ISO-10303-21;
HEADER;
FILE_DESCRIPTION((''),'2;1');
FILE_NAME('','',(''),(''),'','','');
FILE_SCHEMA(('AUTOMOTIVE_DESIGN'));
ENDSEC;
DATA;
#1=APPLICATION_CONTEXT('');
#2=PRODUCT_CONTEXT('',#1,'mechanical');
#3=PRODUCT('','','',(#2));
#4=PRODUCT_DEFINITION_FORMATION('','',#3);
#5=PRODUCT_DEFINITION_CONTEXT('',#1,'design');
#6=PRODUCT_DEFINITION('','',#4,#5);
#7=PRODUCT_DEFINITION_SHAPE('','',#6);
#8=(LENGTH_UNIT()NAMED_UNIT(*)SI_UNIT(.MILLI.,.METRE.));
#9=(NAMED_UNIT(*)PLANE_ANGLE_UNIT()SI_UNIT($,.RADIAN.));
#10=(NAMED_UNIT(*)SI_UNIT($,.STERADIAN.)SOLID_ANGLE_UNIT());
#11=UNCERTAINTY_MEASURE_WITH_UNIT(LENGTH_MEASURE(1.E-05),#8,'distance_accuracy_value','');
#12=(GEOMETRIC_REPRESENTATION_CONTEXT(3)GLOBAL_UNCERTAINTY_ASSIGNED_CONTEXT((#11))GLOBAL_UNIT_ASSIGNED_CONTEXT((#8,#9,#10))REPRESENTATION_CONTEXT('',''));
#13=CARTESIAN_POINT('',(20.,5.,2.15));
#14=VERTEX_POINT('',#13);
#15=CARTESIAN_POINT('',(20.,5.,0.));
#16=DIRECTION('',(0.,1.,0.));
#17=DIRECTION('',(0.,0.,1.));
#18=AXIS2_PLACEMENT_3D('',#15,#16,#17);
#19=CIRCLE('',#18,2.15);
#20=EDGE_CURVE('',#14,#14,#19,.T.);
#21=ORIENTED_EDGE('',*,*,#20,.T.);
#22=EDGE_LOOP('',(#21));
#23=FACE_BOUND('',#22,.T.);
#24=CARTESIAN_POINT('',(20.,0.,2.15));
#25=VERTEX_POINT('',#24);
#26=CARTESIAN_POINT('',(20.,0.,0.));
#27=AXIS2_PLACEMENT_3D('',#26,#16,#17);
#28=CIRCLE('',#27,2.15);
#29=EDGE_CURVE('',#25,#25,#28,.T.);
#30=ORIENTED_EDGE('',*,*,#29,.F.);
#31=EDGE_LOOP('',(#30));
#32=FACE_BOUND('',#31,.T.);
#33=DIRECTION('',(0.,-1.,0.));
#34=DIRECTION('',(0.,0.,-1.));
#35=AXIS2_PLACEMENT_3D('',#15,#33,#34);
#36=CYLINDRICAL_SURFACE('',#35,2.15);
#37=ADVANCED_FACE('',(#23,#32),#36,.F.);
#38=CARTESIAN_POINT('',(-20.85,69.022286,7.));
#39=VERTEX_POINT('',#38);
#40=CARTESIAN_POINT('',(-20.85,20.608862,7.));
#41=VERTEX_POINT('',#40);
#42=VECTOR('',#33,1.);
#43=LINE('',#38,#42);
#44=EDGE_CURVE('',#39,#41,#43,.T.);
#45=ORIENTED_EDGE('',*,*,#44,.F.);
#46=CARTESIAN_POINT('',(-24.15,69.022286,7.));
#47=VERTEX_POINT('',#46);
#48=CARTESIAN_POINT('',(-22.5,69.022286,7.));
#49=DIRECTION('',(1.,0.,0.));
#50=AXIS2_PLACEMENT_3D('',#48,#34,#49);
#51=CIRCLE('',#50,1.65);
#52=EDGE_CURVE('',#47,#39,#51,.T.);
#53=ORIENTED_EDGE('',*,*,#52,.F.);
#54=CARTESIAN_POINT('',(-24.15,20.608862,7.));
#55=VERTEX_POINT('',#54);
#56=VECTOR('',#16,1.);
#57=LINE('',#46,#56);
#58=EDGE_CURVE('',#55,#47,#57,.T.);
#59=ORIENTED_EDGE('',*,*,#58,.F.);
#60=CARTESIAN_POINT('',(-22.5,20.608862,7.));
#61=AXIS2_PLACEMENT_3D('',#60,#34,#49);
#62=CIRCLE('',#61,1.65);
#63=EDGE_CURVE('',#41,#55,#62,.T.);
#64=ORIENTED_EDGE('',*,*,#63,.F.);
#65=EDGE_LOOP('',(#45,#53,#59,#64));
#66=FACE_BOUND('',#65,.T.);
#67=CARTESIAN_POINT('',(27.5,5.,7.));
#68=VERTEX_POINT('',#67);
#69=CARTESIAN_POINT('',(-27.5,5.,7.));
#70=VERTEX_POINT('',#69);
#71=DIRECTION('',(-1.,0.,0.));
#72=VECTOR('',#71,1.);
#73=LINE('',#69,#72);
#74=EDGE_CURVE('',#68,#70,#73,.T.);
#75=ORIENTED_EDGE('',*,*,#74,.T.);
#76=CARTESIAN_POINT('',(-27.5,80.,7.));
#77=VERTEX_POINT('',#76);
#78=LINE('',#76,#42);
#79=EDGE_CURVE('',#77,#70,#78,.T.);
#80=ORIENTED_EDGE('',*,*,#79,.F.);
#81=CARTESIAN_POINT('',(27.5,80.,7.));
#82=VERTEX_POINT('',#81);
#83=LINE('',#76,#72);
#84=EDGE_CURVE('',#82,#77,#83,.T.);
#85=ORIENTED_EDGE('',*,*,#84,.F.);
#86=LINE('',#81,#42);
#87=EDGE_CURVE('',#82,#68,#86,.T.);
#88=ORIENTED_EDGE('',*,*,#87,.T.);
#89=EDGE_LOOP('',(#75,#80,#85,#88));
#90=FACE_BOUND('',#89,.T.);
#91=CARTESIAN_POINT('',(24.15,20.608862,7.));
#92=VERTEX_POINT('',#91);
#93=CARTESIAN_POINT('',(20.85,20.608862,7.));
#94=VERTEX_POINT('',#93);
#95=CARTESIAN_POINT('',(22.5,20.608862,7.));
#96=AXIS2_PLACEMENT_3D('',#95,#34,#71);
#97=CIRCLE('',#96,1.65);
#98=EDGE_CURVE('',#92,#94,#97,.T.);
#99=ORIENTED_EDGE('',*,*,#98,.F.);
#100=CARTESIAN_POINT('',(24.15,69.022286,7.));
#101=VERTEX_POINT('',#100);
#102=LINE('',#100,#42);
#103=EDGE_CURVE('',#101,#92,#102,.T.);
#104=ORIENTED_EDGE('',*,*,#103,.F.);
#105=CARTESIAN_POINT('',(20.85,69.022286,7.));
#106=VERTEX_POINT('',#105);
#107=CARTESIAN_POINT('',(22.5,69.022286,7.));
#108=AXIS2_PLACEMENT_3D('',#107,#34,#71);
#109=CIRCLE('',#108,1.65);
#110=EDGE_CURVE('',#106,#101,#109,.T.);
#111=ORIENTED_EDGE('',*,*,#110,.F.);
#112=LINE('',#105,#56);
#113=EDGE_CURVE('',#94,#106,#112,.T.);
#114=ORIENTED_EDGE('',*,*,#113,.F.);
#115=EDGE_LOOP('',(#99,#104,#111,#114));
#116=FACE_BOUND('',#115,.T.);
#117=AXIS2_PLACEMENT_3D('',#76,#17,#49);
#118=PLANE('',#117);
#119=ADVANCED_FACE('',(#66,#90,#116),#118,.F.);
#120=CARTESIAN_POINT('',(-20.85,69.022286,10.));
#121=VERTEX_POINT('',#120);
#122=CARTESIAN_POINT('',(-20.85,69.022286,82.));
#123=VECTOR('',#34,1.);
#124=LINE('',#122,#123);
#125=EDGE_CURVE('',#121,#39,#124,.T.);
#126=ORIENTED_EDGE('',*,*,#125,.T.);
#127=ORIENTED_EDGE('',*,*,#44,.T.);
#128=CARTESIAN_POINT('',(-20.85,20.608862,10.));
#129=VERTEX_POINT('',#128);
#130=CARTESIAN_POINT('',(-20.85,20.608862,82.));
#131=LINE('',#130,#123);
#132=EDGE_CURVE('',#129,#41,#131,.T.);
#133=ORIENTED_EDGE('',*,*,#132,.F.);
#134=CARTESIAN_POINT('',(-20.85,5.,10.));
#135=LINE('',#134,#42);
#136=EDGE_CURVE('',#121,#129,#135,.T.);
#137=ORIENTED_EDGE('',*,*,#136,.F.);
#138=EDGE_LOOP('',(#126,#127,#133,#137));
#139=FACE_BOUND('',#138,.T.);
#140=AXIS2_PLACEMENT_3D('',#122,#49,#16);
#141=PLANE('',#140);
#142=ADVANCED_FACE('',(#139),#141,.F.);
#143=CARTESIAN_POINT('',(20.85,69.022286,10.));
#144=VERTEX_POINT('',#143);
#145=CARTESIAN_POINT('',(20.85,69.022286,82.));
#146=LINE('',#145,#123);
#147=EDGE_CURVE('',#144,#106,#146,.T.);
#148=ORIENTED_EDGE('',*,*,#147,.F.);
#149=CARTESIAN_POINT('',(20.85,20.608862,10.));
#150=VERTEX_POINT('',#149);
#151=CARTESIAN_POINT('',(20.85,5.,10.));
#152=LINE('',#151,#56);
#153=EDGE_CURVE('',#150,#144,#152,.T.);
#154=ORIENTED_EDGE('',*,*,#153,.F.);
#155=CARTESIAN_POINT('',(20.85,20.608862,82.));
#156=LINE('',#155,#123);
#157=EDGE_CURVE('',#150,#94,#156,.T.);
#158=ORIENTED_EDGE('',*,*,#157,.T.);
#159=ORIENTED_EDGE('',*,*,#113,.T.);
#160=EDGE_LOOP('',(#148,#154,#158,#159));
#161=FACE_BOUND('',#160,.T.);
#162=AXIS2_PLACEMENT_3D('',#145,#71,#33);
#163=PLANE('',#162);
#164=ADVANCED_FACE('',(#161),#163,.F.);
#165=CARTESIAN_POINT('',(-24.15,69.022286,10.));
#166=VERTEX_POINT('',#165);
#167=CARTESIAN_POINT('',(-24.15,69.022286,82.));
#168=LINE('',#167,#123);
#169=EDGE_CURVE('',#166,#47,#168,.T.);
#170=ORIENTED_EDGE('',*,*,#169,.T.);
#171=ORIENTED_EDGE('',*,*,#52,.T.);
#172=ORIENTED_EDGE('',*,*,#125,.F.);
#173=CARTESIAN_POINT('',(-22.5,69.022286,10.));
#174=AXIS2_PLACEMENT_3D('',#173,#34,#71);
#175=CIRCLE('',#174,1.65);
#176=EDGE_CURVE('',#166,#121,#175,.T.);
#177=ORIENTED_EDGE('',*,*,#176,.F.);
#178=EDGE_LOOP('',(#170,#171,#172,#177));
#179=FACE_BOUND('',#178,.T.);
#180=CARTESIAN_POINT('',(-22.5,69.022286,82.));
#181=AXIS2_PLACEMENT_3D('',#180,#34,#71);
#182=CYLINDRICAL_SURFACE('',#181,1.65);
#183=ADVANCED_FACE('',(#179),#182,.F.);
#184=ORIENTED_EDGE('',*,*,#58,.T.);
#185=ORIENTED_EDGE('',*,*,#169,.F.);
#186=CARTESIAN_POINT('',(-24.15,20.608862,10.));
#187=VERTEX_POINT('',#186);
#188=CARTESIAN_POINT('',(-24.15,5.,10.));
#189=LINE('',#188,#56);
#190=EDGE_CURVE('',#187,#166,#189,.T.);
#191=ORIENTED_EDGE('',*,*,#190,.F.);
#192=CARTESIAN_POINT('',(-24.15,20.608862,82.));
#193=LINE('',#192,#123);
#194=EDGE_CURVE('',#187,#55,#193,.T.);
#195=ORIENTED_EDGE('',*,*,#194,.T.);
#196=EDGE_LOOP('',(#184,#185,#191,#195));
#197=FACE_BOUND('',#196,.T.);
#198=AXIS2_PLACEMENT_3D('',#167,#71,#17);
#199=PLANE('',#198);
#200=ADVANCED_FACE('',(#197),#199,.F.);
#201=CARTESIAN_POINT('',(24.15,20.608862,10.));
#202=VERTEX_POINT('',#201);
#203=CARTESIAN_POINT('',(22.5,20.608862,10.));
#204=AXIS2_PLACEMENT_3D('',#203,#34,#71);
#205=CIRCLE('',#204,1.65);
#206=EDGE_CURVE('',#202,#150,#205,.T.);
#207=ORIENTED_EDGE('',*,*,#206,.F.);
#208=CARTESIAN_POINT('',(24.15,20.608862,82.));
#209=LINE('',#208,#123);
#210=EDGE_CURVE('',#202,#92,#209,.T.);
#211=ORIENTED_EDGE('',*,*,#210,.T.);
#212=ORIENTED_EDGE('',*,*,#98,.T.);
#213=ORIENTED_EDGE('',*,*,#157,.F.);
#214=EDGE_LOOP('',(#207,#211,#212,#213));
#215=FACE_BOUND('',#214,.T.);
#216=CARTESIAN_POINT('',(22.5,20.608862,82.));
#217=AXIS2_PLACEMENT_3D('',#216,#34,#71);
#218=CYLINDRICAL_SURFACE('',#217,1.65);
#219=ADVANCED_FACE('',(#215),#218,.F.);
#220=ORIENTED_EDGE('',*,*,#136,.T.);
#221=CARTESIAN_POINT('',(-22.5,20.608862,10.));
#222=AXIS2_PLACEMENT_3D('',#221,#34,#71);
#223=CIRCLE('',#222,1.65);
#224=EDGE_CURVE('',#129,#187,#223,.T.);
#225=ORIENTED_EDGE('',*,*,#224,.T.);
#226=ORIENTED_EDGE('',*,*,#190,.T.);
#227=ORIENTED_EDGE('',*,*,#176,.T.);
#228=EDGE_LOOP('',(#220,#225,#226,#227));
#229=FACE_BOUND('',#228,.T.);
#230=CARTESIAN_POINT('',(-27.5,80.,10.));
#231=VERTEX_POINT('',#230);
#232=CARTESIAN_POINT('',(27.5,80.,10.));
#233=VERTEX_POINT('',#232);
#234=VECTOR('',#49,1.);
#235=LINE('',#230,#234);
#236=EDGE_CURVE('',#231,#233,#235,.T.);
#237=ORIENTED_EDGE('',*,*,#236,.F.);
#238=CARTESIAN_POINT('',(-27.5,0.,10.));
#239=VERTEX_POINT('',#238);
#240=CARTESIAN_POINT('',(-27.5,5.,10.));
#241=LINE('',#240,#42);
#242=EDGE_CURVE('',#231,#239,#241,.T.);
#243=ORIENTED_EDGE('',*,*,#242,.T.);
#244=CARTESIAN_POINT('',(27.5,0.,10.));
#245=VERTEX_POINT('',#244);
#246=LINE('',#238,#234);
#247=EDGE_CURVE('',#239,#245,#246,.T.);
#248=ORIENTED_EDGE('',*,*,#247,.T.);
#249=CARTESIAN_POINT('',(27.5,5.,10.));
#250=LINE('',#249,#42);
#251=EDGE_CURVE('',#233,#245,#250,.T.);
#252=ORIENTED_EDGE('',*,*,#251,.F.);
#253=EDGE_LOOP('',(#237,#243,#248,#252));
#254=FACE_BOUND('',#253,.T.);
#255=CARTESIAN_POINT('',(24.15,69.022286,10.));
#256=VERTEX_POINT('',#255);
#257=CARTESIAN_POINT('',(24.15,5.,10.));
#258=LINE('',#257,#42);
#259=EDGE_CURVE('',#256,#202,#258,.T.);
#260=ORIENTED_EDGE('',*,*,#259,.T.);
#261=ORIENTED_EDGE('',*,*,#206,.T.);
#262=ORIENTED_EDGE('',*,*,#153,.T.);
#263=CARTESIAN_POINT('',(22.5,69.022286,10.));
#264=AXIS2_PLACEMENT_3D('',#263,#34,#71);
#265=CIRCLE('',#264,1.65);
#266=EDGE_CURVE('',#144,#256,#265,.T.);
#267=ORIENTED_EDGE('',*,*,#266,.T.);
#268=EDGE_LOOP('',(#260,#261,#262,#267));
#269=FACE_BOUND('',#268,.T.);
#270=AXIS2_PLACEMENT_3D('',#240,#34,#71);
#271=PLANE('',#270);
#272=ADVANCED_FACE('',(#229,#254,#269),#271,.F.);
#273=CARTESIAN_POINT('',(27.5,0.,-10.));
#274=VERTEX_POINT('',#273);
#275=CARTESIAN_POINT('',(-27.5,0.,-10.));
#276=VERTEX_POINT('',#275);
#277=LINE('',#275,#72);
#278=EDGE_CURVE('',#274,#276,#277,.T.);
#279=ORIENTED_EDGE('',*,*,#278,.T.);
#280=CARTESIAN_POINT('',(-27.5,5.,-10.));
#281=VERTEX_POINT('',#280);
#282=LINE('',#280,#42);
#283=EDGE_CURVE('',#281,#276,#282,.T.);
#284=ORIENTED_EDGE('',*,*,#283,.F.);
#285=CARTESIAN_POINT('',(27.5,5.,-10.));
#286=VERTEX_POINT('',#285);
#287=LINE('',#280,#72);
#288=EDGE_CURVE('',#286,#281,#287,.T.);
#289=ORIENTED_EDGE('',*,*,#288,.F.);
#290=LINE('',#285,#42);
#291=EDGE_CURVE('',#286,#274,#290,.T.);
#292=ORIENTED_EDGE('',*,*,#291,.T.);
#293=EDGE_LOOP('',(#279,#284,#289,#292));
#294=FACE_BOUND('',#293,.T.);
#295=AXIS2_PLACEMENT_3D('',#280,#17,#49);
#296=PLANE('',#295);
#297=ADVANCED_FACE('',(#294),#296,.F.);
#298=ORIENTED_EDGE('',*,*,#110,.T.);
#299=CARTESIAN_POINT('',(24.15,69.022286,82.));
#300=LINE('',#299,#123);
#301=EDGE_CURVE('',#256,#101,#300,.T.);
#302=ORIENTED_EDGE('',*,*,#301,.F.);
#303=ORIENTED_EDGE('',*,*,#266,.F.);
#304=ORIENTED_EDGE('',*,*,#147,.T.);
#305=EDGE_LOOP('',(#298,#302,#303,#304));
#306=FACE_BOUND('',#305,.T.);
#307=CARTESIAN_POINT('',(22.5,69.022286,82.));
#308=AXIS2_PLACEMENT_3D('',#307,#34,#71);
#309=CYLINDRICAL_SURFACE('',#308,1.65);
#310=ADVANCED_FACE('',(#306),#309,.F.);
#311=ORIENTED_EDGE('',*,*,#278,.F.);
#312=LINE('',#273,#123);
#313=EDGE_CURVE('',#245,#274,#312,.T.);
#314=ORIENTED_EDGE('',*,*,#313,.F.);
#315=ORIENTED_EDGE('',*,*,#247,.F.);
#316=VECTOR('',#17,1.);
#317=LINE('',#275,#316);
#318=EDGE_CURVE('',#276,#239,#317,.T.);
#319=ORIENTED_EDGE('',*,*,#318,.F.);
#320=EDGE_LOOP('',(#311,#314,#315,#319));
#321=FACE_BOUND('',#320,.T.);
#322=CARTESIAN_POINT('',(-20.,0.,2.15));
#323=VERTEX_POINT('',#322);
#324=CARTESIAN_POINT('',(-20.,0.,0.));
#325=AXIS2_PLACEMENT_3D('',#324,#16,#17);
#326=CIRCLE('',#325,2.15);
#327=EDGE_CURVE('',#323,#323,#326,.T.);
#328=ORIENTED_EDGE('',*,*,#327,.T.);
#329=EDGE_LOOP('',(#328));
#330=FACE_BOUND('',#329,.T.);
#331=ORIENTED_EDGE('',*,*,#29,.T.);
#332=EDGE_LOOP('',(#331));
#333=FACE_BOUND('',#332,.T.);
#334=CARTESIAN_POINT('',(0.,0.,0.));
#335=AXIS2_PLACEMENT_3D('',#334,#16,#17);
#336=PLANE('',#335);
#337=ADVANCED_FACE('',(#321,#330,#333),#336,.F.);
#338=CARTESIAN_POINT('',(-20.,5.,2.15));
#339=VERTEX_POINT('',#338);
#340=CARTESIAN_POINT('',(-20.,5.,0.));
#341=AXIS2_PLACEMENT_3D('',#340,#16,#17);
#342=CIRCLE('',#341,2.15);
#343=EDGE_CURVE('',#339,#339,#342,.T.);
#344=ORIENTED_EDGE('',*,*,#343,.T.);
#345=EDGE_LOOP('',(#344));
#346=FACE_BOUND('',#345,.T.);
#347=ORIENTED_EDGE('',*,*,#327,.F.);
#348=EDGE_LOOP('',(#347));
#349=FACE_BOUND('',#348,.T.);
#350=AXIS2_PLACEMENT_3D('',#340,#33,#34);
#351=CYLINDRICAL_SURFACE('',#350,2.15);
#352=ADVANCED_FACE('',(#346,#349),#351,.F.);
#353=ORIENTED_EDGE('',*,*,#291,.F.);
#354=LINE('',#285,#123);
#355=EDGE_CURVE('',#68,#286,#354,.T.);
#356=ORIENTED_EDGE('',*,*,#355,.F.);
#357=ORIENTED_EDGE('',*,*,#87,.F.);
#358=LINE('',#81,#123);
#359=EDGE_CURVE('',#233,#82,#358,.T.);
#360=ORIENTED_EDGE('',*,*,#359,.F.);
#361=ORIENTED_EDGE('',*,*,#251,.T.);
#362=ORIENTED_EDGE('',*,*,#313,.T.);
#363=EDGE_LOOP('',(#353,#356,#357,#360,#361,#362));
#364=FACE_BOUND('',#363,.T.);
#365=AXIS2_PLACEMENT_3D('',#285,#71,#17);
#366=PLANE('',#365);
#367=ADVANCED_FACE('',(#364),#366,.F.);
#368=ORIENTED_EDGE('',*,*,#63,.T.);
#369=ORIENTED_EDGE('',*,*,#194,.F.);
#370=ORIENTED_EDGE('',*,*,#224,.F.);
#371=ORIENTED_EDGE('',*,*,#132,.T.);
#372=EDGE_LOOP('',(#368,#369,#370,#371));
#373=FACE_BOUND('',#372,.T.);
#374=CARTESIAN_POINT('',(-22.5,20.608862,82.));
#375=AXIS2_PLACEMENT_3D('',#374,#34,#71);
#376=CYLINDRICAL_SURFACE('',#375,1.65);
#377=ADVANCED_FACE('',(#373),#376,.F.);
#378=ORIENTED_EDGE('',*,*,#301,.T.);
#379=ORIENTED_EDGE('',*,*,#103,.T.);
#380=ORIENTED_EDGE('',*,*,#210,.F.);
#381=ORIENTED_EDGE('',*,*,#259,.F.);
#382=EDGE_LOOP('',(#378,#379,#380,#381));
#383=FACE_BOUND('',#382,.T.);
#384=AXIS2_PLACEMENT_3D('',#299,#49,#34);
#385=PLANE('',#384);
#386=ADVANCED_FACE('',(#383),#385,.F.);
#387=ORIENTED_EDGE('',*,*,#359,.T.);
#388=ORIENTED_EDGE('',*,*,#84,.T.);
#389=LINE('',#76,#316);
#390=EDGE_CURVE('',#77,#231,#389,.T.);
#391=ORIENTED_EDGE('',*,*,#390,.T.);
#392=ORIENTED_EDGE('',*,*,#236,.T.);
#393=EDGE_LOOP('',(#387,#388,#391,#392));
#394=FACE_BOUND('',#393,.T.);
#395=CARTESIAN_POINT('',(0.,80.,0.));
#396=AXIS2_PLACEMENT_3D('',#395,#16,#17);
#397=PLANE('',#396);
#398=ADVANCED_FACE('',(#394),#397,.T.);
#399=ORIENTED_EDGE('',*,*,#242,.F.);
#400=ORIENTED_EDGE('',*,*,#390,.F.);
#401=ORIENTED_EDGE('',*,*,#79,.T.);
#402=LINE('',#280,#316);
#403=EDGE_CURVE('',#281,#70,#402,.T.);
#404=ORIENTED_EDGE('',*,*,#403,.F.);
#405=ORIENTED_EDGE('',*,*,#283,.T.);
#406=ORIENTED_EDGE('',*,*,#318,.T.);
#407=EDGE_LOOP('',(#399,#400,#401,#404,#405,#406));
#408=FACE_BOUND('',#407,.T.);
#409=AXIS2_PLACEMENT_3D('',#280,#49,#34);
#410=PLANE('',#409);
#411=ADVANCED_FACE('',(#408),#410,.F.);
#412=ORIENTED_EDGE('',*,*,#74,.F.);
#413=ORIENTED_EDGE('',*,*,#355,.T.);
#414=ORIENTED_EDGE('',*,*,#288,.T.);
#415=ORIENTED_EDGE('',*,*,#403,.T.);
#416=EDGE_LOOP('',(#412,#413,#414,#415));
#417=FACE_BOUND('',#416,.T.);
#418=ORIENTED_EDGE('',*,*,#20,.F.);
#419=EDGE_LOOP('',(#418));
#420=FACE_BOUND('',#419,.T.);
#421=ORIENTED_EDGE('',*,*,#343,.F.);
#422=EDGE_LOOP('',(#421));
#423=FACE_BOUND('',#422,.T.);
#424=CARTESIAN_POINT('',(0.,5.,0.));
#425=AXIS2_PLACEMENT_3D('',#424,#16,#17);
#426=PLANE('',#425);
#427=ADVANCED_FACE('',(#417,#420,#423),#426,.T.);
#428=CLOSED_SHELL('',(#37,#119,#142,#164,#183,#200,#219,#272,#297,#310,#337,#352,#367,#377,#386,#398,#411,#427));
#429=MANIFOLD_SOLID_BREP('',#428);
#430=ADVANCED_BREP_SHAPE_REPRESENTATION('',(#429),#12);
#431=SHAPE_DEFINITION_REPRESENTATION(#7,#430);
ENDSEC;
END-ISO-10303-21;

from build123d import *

# Parameters (mm, degrees)
SKETCH1_W           = 55
SKETCH1_H           = 20
SKETCH1_R           = 2.15
BOSS_EXTRUDE1_DEPTH = 5
SKETCH2_W           = 55
SKETCH2_H           = 3
BOSS_EXTRUDE2_DEPTH = 75
CUT_EXTRUDE1_DEPTH  = 75


with BuildPart() as part:
    # Sketch1 → Boss-Extrude1 (new body)
    with BuildSketch(Plane(origin=(0, 0, 0), x_dir=(1, 0, 0), z_dir=(0, 1, 0))):
        Rectangle(SKETCH1_W, SKETCH1_H)
        with Locations((-20, 0)):
            Circle(SKETCH1_R, mode=Mode.SUBTRACT)
        with Locations((20, 0)):
            Circle(SKETCH1_R, mode=Mode.SUBTRACT)
    extrude(amount=BOSS_EXTRUDE1_DEPTH)

    # Sketch2 → Boss-Extrude2 (add)
    with BuildSketch(Plane(origin=(0, 5, 0), x_dir=(1, 0, 0), z_dir=(0, 1, 0))):
        with Locations((0, -8.5)):
            Rectangle(SKETCH2_W, SKETCH2_H)
    extrude(amount=BOSS_EXTRUDE2_DEPTH)

    # Sketch3 → Cut-Extrude1 (cut)
    with BuildSketch(Plane(origin=(0, 0, 7), x_dir=(-1, 0, 0), z_dir=(0, 0, -1))):
        with BuildLine():
            Line((-20.85, 69.022285576), (-20.85, 20.608862032))
            ThreePointArc((-20.85, 20.608862032), (-22.5, 18.958862032), (-24.15, 20.608862032))
            Line((-24.15, 20.608862032), (-24.15, 69.022285576))
            ThreePointArc((-24.15, 69.022285576), (-22.5, 70.672285576), (-20.85, 69.022285576))
        make_face()
        with BuildLine():
            Line((20.85, 69.022285576), (20.85, 20.608862032))
            ThreePointArc((20.85, 20.608862032), (22.5, 18.958862032), (24.15, 20.608862032))
            Line((24.15, 20.608862032), (24.15, 69.022285576))
            ThreePointArc((24.15, 69.022285576), (22.5, 70.672285576), (20.85, 69.022285576))
        make_face()
    extrude(amount=-CUT_EXTRUDE1_DEPTH, mode=Mode.SUBTRACT)


solid = part.part
